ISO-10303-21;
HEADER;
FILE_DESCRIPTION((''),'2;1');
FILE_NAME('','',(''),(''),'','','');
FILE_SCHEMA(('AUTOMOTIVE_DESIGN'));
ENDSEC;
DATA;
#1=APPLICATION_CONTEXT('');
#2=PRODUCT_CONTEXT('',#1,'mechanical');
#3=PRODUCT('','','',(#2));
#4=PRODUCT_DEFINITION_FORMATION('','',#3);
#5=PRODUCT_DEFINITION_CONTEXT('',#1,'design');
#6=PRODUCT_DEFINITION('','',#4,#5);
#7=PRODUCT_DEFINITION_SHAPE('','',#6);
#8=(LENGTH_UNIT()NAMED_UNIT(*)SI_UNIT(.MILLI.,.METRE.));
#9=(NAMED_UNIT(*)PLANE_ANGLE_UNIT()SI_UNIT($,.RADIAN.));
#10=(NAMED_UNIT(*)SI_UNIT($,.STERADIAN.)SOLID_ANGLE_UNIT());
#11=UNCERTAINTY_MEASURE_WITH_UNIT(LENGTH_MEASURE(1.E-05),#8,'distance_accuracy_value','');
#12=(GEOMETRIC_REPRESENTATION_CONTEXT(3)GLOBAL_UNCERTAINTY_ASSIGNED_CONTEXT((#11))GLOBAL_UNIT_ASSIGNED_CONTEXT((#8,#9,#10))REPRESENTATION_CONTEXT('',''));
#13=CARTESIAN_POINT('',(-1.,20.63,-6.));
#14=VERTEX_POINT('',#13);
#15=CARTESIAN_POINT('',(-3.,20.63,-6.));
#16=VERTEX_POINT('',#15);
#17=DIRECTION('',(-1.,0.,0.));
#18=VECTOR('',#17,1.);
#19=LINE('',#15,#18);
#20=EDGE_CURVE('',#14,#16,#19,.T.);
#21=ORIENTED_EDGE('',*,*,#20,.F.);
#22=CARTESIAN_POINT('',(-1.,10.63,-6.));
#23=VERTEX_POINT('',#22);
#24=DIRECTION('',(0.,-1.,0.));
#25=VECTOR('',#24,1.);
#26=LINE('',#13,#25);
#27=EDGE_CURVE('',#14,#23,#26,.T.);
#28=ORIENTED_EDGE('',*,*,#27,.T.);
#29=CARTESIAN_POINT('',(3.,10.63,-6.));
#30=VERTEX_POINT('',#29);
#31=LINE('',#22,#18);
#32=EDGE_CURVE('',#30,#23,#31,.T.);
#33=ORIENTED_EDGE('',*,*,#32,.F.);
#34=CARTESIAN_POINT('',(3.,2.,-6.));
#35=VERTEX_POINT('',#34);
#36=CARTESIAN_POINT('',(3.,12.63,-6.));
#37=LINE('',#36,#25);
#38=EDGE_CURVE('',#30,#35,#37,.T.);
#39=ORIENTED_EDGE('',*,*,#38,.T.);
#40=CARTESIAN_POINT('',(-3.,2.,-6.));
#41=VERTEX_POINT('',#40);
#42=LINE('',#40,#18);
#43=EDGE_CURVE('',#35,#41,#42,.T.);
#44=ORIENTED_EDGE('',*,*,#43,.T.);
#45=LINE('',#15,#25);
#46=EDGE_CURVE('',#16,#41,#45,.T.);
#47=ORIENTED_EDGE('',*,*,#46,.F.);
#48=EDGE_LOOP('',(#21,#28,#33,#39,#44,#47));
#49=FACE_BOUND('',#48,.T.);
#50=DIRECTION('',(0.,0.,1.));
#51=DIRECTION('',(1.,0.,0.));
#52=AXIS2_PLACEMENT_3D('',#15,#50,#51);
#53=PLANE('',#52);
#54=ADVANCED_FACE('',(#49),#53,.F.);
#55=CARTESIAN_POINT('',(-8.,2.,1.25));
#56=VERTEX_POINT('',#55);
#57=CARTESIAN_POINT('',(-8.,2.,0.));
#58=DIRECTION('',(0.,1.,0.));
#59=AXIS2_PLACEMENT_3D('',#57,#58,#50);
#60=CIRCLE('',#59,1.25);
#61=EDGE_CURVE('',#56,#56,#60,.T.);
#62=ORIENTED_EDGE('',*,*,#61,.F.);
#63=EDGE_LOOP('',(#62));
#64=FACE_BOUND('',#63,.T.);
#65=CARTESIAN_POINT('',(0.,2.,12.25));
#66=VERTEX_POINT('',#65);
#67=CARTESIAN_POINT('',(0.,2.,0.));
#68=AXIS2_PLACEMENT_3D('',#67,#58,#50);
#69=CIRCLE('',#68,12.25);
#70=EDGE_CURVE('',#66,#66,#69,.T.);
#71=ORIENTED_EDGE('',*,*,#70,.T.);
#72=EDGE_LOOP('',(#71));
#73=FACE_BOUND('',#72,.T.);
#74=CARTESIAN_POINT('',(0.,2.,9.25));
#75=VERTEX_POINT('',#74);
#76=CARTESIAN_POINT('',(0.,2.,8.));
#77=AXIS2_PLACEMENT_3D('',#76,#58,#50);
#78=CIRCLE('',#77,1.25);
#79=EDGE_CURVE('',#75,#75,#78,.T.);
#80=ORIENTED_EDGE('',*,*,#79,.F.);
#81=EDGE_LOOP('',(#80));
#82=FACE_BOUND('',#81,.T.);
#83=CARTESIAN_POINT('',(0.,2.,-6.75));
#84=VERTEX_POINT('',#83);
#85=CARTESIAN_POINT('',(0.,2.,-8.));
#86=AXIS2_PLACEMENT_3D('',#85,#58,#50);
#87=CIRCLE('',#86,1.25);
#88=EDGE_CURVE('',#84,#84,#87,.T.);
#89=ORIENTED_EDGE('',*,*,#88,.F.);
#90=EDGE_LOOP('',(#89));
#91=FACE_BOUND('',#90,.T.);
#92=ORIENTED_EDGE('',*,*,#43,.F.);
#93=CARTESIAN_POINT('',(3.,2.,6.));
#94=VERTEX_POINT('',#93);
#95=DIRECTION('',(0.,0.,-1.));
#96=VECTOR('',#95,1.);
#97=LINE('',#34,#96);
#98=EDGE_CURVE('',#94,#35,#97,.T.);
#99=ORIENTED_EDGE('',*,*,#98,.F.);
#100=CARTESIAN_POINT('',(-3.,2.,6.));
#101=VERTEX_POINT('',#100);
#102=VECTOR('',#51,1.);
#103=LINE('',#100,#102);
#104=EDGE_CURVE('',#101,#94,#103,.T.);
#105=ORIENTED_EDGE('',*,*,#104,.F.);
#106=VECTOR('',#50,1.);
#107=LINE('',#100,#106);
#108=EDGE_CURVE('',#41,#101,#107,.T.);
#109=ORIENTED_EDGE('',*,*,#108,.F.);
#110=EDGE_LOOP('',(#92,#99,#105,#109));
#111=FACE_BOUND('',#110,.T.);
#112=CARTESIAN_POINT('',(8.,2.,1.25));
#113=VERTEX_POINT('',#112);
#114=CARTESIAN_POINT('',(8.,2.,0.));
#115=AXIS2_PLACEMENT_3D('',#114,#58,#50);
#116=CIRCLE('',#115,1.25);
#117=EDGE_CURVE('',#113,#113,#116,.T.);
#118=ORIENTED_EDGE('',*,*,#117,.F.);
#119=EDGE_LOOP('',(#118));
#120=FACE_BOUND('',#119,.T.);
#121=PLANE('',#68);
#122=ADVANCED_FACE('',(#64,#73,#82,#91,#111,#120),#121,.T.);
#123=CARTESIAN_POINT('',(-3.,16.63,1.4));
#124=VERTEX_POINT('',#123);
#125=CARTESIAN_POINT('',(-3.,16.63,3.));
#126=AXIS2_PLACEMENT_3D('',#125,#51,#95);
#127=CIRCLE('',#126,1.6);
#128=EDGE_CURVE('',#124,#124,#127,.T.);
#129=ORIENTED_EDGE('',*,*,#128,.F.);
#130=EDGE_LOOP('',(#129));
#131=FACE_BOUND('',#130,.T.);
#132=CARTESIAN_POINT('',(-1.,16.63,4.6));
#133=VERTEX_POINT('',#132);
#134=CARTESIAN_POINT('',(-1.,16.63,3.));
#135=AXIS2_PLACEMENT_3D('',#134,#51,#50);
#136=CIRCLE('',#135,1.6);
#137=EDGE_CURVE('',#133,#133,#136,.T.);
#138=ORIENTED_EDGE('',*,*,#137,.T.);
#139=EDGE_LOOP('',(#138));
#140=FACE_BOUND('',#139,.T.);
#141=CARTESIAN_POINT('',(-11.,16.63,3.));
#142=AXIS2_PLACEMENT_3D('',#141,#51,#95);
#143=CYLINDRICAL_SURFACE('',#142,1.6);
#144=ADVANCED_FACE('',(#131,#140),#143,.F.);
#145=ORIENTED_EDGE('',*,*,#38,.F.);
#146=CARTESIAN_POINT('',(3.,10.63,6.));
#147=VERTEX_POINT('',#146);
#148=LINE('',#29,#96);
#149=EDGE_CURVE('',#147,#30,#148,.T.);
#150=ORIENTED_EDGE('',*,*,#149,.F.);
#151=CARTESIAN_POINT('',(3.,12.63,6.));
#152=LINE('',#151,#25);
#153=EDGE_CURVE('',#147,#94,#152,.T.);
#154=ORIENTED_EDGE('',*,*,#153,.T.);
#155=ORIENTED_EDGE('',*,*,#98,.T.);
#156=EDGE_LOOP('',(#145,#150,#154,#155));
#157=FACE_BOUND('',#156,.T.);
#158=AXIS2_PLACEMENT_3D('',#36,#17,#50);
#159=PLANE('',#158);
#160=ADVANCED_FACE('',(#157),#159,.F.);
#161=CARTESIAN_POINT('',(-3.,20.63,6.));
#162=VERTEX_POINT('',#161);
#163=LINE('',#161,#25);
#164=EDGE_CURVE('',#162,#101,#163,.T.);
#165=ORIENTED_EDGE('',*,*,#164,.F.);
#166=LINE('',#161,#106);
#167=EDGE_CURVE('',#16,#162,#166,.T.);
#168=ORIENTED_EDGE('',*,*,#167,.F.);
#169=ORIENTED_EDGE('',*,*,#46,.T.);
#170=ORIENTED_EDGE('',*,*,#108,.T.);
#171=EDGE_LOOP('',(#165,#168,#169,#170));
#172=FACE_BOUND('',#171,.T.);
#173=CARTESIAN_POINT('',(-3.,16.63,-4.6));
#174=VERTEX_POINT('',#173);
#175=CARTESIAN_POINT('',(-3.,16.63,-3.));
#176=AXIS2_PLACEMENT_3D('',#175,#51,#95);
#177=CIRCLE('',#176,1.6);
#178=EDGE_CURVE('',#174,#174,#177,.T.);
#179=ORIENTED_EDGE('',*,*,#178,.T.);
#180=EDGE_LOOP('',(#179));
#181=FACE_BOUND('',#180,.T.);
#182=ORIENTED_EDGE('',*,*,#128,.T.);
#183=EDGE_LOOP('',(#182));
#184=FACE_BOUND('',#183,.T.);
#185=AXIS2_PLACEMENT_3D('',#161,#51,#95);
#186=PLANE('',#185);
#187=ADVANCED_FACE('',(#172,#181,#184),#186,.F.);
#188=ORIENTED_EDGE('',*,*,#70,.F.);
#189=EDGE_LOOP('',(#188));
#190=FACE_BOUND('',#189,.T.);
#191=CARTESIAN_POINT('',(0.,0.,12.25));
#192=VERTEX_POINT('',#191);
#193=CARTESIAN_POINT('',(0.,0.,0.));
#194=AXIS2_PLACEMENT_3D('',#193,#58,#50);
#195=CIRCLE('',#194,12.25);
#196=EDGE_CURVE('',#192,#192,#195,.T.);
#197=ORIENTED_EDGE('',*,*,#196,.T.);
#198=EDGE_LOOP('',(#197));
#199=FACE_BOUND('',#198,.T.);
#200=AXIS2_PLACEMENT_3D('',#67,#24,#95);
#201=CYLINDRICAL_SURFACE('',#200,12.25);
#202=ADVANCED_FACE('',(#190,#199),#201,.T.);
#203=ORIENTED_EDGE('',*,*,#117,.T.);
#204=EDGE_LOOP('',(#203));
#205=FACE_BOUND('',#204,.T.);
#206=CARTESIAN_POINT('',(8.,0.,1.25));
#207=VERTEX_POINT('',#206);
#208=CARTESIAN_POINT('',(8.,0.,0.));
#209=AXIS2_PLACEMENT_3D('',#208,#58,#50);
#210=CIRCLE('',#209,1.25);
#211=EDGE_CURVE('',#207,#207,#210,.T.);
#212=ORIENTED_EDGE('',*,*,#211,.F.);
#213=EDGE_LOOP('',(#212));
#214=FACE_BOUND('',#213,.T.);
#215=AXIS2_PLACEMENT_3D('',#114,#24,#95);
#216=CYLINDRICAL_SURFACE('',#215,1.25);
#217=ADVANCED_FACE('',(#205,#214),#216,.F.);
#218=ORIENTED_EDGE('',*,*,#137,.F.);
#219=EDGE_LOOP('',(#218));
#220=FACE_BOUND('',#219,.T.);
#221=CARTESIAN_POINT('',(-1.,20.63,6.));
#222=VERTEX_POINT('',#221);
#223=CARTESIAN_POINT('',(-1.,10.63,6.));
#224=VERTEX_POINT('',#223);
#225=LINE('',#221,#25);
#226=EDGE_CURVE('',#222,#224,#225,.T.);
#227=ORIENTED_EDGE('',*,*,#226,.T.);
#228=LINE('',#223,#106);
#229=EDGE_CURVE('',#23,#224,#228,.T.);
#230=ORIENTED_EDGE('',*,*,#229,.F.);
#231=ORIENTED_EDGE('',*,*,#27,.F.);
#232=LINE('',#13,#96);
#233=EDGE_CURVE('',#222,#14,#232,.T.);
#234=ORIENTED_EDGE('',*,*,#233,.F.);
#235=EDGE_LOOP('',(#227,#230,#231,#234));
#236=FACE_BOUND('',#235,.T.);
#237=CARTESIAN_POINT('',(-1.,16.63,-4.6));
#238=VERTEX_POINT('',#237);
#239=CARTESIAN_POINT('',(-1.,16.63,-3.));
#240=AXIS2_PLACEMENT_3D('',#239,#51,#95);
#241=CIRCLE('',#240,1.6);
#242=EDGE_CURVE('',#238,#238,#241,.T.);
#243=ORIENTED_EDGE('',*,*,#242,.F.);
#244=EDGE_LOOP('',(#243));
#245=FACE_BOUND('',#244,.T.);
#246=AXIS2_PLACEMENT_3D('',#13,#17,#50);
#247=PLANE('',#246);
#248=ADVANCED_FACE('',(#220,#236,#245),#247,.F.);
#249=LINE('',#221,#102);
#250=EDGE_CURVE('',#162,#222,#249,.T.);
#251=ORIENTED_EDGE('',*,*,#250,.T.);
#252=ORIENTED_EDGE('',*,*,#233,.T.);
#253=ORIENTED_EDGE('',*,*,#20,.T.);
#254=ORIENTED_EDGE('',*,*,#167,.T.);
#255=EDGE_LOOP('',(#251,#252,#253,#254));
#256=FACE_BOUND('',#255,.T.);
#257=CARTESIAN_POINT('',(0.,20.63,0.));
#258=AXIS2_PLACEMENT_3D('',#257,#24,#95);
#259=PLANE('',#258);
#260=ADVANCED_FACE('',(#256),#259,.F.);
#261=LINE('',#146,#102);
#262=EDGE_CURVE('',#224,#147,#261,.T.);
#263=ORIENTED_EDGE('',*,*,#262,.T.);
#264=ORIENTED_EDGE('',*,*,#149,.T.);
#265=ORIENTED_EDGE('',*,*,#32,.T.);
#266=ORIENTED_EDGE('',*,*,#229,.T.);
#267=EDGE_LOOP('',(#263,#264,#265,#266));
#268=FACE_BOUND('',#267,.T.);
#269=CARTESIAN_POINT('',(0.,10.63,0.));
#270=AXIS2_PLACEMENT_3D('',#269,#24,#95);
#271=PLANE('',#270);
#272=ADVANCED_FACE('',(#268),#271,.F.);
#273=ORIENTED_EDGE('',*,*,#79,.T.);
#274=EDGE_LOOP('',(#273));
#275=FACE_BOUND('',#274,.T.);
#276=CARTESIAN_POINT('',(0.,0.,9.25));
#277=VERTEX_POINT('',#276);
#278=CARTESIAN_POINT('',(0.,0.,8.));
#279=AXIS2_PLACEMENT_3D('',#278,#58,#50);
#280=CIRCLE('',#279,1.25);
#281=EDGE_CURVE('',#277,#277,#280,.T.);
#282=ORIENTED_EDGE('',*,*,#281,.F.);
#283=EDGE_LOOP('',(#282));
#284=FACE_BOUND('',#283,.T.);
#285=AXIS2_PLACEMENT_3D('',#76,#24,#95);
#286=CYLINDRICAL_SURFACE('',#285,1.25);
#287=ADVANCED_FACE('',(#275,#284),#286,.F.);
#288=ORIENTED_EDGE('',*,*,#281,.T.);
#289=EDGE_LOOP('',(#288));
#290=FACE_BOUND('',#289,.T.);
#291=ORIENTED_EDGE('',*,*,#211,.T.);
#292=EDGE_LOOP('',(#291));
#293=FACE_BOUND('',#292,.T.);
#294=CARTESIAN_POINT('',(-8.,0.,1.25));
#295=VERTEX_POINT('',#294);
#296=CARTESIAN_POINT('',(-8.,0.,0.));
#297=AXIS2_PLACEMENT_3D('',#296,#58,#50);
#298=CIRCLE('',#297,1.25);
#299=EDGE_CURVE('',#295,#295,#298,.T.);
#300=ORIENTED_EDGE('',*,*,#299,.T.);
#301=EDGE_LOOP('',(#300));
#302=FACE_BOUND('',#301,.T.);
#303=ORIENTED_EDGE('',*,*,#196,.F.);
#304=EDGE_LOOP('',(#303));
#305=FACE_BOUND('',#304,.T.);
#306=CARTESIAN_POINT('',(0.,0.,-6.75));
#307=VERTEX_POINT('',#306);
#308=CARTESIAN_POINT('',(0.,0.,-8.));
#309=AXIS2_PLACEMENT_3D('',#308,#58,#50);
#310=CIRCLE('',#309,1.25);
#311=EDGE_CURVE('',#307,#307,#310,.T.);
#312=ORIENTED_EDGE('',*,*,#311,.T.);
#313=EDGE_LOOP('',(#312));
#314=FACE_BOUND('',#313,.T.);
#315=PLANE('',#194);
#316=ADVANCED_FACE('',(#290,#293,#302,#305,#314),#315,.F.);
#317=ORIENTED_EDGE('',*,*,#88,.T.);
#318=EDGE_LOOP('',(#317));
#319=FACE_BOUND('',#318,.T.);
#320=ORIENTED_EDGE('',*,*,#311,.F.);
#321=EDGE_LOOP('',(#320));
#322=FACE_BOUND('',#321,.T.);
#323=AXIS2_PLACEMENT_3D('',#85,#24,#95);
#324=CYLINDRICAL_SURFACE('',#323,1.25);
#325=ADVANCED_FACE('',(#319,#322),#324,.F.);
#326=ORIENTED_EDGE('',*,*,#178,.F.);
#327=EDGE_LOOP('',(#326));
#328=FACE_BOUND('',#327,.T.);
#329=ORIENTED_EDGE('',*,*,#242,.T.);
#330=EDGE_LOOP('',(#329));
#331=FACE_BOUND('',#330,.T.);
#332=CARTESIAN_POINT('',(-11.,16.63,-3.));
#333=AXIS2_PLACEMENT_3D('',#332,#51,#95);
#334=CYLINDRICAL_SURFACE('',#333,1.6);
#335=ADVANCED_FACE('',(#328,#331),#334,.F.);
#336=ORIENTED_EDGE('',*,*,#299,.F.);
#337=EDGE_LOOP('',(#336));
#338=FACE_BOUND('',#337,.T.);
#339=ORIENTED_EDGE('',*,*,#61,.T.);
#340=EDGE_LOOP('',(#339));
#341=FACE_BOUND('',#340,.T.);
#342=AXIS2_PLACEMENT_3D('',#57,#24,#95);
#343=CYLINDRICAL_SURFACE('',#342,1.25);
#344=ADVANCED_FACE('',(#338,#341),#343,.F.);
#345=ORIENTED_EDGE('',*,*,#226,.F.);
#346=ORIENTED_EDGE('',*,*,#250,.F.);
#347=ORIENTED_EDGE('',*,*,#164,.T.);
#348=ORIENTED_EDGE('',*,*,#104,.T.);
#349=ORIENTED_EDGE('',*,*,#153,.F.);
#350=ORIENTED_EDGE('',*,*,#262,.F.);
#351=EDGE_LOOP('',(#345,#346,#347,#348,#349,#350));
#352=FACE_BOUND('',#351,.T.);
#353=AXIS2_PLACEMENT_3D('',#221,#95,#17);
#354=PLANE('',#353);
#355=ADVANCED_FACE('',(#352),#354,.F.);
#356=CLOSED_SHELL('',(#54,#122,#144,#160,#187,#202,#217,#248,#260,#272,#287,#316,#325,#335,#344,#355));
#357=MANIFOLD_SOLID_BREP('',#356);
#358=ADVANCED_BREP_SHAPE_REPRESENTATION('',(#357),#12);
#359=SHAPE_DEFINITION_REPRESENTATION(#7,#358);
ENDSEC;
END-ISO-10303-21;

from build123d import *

# Parameters (mm, degrees)
SKETCH_1_R          = 12.25
SKETCH_1_R_2        = 1.25
EXTRUDE_1_DEPTH     = 2
SKETCH_2_R          = 3
EXTRUDE_2_DEPTH     = 10.63
SKETCH_3_W          = 2
SKETCH_3_H          = 12
EXTRUDE_3_DEPTH     = 8
SKETCH_5_R          = 1.6
CUT_EXTRUDE_1_DEPTH = 10
SKETCH_6_W          = 6
SKETCH_6_H          = 12
EXTRUDE_4_DEPTH     = 10.63
SKETCH_7_W          = 4
SKETCH_7_H          = 12
CUT_EXTRUDE_2_DEPTH = 2


with BuildPart() as part:
    # 草图1 → 凸台-拉伸1 (new body)
    with BuildSketch(Plane(origin=(0, 0, 0), x_dir=(1, 0, 0), z_dir=(0, 1, 0))):
        Circle(SKETCH_1_R)
        with Locations((8, 0)):
            Circle(SKETCH_1_R_2, mode=Mode.SUBTRACT)
        with Locations((0, -8)):
            Circle(SKETCH_1_R_2, mode=Mode.SUBTRACT)
        with Locations((-8, 0)):
            Circle(SKETCH_1_R_2, mode=Mode.SUBTRACT)
        with Locations((0, 8)):
            Circle(SKETCH_1_R_2, mode=Mode.SUBTRACT)
    extrude(amount=EXTRUDE_1_DEPTH)

    # 草图2 → 凸台-拉伸2 (add)
    with BuildSketch(Plane(origin=(0, 2, 0), x_dir=(1, 0, 0), z_dir=(0, 1, 0))):
        Circle(SKETCH_2_R)
    extrude(amount=EXTRUDE_2_DEPTH)

    # 草图3 → 凸台-拉伸3 (add)
    with BuildSketch(Plane(origin=(0, 12.63, 0), x_dir=(1, 0, 0), z_dir=(0, 1, 0))):
        with Locations((-2, 0)):
            Rectangle(SKETCH_3_W, SKETCH_3_H)
    extrude(amount=EXTRUDE_3_DEPTH)

    # 草图5 → 切除-拉伸1 (cut)
    with BuildSketch(Plane(origin=(-1, 0, 0), x_dir=(0, 0, -1), z_dir=(1, 0, 0))):
        with Locations((3, 16.63)):
            Circle(SKETCH_5_R)
        with Locations((-3, 16.63)):
            Circle(SKETCH_5_R)
    extrude(amount=-CUT_EXTRUDE_1_DEPTH, mode=Mode.SUBTRACT)

    # 草图6 → 凸台-拉伸4 (add)
    with BuildSketch(Plane(origin=(0, 2, 0), x_dir=(1, 0, 0), z_dir=(0, 1, 0))):
        Rectangle(SKETCH_6_W, SKETCH_6_H)
    extrude(amount=EXTRUDE_4_DEPTH)

    # 草图7 → 切除-拉伸2 (cut)
    with BuildSketch(Plane(origin=(0, 12.63, 0), x_dir=(1, 0, 0), z_dir=(0, 1, 0))):
        with Locations((1, 0)):
            Rectangle(SKETCH_7_W, SKETCH_7_H)
    extrude(amount=-CUT_EXTRUDE_2_DEPTH, mode=Mode.SUBTRACT)


solid = part.part
